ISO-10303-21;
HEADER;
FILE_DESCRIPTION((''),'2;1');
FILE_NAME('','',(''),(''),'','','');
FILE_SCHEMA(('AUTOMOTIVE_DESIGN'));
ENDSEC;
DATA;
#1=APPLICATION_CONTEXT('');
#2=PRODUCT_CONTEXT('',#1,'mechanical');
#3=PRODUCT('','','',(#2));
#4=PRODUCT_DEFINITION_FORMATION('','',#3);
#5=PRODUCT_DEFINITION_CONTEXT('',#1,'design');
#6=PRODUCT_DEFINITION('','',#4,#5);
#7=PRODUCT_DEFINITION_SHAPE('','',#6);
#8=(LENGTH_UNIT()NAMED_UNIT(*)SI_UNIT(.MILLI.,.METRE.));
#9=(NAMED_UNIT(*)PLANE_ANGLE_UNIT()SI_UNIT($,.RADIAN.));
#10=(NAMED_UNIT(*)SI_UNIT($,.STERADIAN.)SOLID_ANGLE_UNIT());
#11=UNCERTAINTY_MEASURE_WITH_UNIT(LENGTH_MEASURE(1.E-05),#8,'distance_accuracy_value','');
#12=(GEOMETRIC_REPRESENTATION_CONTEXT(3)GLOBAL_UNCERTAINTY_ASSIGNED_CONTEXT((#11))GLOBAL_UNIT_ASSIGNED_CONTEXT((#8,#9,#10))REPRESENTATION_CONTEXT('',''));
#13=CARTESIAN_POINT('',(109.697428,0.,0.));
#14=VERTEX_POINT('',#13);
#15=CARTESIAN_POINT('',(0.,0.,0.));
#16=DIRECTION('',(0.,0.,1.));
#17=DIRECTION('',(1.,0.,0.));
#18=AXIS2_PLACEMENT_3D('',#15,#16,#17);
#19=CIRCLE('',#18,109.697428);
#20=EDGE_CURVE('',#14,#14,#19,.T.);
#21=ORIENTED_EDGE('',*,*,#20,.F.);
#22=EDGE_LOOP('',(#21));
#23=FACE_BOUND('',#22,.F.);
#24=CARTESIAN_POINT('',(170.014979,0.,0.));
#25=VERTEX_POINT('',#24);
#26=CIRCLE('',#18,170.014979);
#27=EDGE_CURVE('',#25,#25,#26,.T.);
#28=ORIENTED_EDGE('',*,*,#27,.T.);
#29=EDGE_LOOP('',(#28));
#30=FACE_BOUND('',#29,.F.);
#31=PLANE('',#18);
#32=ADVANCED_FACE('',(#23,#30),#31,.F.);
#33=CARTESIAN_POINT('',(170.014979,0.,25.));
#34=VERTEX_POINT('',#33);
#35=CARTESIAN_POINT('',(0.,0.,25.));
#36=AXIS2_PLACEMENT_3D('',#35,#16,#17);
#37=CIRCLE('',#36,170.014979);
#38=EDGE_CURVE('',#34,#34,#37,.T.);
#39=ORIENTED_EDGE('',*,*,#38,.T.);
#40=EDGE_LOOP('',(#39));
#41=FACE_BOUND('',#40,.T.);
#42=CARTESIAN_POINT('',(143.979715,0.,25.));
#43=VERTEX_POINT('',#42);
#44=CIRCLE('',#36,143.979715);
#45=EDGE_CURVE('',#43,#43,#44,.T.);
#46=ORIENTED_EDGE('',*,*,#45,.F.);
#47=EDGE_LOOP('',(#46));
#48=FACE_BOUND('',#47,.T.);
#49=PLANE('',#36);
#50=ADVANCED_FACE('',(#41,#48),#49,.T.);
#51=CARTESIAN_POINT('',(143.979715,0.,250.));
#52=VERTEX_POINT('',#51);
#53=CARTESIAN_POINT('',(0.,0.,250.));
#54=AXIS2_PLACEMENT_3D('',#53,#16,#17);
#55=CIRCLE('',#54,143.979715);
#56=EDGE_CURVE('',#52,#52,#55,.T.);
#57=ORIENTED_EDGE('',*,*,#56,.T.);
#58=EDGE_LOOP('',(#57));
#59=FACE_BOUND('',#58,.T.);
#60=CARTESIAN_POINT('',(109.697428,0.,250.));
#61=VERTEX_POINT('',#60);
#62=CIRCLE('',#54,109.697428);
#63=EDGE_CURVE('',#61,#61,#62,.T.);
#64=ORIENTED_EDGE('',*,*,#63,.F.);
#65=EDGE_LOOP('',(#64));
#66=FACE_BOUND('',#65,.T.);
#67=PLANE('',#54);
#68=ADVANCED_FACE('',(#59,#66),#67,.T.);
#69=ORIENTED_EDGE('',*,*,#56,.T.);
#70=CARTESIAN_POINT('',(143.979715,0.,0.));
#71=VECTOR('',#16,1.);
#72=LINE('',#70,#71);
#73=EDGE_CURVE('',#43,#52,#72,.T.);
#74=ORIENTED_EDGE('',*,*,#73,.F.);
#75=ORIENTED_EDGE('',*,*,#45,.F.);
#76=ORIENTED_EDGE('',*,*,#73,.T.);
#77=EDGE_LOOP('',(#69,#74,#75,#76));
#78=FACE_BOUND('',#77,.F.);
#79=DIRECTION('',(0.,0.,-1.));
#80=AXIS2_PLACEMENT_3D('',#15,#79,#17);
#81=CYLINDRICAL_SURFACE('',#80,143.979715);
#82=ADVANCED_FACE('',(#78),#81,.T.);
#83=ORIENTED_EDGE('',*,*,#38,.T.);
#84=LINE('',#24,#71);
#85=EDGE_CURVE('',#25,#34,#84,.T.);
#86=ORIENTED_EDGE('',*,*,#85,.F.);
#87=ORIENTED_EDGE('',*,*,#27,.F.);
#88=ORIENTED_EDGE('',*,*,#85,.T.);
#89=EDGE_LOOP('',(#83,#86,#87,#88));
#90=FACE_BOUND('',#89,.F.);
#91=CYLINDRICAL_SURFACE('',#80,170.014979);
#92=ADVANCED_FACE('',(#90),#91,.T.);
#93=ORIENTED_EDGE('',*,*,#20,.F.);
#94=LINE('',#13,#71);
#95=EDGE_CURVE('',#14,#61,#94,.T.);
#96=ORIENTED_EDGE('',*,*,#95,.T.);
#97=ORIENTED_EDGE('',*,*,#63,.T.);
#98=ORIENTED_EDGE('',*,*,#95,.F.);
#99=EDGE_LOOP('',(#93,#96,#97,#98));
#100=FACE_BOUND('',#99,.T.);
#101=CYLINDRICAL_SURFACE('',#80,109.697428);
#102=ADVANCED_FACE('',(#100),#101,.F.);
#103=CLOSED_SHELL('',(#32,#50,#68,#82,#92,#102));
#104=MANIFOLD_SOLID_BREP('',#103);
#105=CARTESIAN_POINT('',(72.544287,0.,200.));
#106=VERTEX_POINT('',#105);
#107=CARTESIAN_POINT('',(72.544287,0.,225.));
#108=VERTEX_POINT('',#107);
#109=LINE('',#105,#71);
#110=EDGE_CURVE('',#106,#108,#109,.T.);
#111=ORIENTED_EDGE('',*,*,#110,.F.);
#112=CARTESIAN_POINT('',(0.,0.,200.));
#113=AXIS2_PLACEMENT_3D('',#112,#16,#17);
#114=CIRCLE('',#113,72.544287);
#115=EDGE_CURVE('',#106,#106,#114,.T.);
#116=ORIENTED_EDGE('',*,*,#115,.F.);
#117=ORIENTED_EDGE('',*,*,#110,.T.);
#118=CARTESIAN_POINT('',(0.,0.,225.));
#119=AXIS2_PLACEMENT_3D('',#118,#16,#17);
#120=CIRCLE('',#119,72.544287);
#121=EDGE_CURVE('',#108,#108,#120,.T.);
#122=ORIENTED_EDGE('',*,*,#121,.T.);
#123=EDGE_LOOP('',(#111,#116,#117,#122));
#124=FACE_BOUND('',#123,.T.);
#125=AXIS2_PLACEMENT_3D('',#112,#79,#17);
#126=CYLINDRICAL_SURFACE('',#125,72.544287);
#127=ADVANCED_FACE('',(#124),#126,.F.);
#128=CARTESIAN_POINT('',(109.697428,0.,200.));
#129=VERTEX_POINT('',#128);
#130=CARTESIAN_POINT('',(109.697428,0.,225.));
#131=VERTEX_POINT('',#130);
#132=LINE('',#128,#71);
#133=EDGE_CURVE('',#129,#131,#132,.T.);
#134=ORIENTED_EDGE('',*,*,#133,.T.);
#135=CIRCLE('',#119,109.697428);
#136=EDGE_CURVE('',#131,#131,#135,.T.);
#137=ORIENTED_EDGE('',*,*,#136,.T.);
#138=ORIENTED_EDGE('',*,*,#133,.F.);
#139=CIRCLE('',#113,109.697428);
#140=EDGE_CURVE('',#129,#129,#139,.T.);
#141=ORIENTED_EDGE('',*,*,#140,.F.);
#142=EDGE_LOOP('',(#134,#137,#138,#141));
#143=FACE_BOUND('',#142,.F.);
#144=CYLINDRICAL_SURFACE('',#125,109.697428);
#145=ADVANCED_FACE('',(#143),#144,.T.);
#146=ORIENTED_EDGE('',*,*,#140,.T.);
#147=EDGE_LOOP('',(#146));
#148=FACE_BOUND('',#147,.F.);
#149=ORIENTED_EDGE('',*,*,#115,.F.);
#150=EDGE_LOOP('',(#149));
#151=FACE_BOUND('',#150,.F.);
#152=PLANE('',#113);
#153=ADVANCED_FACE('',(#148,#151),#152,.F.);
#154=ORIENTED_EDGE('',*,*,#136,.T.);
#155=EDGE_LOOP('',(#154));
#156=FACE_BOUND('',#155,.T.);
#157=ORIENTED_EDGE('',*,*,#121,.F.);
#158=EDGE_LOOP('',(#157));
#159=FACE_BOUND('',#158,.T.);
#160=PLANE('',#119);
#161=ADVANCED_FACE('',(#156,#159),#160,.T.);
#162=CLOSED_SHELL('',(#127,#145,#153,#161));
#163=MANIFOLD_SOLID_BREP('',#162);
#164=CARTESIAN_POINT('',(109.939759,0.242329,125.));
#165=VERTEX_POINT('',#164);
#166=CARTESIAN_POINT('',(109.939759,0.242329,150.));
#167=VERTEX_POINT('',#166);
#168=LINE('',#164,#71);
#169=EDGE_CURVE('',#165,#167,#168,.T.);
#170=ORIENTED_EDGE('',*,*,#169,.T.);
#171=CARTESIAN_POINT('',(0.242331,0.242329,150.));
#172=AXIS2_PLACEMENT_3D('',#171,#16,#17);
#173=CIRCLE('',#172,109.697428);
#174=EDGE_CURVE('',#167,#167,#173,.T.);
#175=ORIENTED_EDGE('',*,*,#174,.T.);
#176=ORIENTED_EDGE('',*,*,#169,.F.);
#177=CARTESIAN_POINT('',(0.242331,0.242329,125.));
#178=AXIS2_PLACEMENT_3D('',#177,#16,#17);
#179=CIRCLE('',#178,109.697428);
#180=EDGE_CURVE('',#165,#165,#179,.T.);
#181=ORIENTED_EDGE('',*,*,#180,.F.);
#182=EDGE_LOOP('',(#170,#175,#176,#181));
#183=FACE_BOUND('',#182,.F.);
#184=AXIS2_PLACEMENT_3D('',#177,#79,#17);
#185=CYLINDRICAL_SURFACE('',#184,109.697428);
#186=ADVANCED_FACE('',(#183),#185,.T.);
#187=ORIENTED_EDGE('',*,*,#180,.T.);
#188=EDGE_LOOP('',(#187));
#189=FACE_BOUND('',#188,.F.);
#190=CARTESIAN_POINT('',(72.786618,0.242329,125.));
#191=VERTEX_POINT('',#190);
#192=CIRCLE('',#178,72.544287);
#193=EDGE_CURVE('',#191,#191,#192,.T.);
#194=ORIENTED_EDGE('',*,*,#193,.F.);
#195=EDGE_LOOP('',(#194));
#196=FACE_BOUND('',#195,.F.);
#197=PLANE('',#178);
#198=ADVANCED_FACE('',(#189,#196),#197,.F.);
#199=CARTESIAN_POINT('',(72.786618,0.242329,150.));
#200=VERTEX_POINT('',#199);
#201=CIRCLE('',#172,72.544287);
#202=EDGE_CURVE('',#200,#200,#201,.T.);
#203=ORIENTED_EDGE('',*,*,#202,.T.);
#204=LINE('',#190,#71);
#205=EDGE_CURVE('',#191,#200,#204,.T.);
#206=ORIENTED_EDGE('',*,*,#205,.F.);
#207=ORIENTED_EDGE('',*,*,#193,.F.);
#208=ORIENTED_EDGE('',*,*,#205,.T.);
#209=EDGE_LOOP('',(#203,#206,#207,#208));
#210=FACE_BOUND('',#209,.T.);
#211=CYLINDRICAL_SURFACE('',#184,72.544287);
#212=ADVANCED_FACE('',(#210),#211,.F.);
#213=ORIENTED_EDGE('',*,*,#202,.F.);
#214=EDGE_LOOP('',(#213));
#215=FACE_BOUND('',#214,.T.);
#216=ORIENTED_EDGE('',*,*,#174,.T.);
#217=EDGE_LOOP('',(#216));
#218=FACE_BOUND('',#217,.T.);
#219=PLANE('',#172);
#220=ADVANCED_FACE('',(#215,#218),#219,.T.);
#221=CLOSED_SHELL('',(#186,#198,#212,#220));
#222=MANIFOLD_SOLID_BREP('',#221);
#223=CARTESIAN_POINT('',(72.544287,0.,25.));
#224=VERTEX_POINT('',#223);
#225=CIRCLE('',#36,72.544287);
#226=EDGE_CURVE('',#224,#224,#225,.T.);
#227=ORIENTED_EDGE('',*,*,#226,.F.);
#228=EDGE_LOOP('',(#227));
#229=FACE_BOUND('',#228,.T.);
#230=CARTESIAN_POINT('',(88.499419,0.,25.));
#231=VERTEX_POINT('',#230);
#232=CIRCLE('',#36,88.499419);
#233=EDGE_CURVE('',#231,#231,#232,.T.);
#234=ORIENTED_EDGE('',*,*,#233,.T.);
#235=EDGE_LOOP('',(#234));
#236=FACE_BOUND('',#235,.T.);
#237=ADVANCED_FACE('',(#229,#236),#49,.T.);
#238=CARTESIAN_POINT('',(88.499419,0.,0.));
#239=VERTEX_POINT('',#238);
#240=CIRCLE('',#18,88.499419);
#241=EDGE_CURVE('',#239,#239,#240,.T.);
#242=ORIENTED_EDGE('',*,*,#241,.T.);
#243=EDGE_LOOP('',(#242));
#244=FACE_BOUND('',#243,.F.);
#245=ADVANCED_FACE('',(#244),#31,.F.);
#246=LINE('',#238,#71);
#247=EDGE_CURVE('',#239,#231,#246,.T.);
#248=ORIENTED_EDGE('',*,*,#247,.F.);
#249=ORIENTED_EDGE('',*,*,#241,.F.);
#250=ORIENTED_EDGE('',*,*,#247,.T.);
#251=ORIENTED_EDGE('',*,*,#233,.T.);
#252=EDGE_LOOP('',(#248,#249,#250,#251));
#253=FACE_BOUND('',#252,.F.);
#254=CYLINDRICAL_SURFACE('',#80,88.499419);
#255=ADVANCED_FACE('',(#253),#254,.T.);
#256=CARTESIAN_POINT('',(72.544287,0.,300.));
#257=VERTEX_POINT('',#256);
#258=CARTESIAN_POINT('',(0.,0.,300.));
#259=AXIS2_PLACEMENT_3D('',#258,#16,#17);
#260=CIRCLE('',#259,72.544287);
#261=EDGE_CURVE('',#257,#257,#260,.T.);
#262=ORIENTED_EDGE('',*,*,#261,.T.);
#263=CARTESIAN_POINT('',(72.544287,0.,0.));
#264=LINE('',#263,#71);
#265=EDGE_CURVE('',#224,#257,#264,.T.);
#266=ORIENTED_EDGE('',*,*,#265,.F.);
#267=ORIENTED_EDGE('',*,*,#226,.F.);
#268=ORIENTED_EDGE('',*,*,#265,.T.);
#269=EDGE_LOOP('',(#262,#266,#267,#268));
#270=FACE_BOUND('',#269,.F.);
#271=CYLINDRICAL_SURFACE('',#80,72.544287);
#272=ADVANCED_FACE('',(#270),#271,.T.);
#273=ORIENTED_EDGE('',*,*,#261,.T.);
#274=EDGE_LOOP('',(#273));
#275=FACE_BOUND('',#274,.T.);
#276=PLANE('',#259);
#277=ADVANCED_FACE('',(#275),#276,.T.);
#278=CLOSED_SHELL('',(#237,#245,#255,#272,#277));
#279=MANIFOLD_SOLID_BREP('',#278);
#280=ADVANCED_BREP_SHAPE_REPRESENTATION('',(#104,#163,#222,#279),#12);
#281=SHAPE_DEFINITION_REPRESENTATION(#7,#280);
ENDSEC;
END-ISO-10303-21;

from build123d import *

# Parameters (mm, degrees)
F0_R     = 170.014979
F0_R_2   = 143.979715
F1_DEPTH = 25
F0_R_3   = 109.697428
F2_DEPTH = 250
F0_R_4   = 72.544287
F3_DEPTH = 300
F0_R_5   = 88.499419
F4_DEPTH = 25
F7_R     = 109.697428
F7_R_2   = 72.544287
F8_R     = 109.697428
F8_R_2   = 72.544287
F9_DEPTH = 25


with BuildPart() as f1:
    # F0 (on Top) → F1 (new body)
    with BuildSketch(Plane.XY):
        Circle(F0_R)
        Circle(F0_R_2, mode=Mode.SUBTRACT)
    extrude(amount=F1_DEPTH)

    # F0 (on Top) → F2 (join)
    with BuildSketch(Plane.XY):
        Circle(F0_R_2)
        Circle(F0_R_3, mode=Mode.SUBTRACT)
    extrude(amount=F2_DEPTH)


with BuildPart() as f3:
    # F0 (on Top) → F3 (new body)
    with BuildSketch(Plane.XY):
        Circle(F0_R_4)
    extrude(amount=F3_DEPTH)

    # F0 (on Top) → F4 (join)
    with BuildSketch(Plane.XY):
        Circle(F0_R_5)
        Circle(F0_R_4, mode=Mode.SUBTRACT)
    extrude(amount=F4_DEPTH)


with BuildPart() as f9:
    # F7 (on offset) + F8 (on offset) → F9 (new body)
    with BuildSketch(Plane.XY.offset(125)):
        with Locations((0.242331, 0.242329)):
            Circle(F7_R)
        with Locations((0.242331, 0.242329)):
            Circle(F7_R_2, mode=Mode.SUBTRACT)
    with BuildSketch(Plane.XY.offset(200)):
        Circle(F8_R)
        Circle(F8_R_2, mode=Mode.SUBTRACT)
    extrude(amount=F9_DEPTH)


solid = Compound([f1.part, f3.part, f9.part])
